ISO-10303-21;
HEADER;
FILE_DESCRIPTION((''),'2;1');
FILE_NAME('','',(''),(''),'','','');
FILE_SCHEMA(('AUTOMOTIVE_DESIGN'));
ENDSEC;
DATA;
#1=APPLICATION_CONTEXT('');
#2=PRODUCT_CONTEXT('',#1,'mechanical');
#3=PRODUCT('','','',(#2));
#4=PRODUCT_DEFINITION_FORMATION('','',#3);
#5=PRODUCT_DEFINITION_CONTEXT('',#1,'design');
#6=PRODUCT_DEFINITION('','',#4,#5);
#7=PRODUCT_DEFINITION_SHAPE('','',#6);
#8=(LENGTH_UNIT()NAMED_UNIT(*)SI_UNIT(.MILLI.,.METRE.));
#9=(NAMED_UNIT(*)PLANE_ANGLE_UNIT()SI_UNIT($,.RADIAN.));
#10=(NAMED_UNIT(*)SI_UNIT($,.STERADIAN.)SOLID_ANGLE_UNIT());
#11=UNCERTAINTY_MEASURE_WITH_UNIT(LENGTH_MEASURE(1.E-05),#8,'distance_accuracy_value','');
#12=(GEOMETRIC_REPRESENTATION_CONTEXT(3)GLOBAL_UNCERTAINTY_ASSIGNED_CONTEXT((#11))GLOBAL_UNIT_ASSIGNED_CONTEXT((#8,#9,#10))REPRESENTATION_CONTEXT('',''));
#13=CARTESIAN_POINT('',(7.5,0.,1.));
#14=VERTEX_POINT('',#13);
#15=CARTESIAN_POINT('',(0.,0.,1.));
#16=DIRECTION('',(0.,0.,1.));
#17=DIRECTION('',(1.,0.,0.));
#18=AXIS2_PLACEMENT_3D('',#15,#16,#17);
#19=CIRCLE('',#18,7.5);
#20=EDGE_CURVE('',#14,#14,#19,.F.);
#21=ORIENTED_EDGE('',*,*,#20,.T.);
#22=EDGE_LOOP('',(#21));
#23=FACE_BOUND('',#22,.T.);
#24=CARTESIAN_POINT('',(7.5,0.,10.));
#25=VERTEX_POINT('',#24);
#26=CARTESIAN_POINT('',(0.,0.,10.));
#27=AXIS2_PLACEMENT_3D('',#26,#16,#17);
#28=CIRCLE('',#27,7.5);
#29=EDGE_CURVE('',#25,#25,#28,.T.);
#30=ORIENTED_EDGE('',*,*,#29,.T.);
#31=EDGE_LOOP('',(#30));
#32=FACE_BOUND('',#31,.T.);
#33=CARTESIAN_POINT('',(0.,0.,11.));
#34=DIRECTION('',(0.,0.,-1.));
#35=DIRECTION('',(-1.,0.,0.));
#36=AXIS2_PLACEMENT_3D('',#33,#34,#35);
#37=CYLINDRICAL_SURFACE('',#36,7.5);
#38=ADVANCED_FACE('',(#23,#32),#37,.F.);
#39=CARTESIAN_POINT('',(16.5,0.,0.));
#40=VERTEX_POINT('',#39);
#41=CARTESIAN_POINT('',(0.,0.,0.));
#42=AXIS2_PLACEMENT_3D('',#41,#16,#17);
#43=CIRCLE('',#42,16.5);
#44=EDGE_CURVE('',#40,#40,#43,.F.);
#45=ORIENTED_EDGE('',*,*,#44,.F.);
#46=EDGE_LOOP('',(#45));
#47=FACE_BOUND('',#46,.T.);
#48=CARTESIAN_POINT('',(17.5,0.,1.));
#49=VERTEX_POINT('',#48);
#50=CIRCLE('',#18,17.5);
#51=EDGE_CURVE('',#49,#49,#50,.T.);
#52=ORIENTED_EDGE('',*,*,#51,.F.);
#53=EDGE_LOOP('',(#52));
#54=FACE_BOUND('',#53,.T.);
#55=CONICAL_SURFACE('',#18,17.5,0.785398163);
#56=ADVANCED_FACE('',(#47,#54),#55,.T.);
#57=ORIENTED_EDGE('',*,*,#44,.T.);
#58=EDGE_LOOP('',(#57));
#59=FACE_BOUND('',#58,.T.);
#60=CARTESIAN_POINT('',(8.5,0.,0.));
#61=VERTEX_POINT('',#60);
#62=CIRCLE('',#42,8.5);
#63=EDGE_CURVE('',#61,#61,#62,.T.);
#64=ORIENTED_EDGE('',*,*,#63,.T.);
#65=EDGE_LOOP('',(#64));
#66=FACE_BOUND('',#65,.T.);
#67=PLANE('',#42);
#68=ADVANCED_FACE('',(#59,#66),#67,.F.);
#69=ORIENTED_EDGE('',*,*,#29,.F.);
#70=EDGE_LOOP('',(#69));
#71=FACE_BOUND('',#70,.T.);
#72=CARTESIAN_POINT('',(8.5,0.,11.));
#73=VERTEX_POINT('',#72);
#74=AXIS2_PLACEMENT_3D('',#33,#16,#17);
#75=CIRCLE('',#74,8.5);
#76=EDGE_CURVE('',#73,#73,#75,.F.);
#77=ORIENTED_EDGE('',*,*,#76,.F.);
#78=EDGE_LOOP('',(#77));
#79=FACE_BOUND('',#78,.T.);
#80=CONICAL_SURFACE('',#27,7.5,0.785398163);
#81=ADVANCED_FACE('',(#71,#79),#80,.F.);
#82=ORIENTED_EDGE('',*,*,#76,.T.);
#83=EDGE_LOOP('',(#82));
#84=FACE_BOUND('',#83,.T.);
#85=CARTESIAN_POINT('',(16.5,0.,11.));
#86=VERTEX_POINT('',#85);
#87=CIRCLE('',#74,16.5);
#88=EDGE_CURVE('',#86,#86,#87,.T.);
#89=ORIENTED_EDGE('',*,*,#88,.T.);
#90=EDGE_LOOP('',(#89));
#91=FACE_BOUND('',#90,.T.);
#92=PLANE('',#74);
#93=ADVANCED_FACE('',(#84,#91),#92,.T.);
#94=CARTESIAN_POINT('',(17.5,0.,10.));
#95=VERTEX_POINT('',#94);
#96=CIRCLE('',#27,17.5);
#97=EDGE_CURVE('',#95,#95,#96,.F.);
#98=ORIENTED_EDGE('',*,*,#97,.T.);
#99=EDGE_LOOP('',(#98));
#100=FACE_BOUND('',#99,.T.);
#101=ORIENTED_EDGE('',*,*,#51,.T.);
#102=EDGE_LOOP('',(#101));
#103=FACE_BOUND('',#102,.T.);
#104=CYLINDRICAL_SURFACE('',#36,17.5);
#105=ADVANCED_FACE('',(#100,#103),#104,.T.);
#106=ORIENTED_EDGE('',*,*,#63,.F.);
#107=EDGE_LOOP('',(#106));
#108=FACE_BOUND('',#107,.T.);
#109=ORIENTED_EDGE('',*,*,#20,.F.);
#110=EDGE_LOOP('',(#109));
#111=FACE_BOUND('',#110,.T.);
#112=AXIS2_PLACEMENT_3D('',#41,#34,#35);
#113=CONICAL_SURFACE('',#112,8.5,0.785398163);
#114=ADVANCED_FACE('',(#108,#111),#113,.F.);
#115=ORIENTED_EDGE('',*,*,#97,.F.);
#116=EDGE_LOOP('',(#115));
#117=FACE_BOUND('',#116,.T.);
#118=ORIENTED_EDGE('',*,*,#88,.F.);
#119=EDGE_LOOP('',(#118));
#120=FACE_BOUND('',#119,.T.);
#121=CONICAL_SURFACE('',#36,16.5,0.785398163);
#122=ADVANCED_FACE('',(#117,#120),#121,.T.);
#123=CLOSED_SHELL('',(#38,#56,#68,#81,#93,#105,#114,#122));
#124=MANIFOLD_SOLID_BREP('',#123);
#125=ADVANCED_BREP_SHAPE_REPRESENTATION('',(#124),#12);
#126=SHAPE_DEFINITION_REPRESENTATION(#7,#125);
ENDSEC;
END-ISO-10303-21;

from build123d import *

# Parameters (mm, degrees)
SKETCH_1_R      = 17.5
SKETCH_1_R_2    = 7.5
EXTRUDE_1_DEPTH = 11
CHAMFER_1_SIZE  = 1


with BuildPart() as part:
    # 草图1 → 凸台-拉伸1 (new body)
    with BuildSketch(Plane.XY):
        Circle(SKETCH_1_R)
        Circle(SKETCH_1_R_2, mode=Mode.SUBTRACT)
    extrude(amount=EXTRUDE_1_DEPTH)

    # 倒角1
    chamfer_1_edges = [part.edges().sort_by_distance(p)[0] for p in [
        (-17.5, 0, 0),
        (-17.5, 0, 11),
        (-7.5, 0, 0),
        (-7.5, 0, 11),
    ]]
    chamfer(chamfer_1_edges, length=CHAMFER_1_SIZE)


solid = part.part
